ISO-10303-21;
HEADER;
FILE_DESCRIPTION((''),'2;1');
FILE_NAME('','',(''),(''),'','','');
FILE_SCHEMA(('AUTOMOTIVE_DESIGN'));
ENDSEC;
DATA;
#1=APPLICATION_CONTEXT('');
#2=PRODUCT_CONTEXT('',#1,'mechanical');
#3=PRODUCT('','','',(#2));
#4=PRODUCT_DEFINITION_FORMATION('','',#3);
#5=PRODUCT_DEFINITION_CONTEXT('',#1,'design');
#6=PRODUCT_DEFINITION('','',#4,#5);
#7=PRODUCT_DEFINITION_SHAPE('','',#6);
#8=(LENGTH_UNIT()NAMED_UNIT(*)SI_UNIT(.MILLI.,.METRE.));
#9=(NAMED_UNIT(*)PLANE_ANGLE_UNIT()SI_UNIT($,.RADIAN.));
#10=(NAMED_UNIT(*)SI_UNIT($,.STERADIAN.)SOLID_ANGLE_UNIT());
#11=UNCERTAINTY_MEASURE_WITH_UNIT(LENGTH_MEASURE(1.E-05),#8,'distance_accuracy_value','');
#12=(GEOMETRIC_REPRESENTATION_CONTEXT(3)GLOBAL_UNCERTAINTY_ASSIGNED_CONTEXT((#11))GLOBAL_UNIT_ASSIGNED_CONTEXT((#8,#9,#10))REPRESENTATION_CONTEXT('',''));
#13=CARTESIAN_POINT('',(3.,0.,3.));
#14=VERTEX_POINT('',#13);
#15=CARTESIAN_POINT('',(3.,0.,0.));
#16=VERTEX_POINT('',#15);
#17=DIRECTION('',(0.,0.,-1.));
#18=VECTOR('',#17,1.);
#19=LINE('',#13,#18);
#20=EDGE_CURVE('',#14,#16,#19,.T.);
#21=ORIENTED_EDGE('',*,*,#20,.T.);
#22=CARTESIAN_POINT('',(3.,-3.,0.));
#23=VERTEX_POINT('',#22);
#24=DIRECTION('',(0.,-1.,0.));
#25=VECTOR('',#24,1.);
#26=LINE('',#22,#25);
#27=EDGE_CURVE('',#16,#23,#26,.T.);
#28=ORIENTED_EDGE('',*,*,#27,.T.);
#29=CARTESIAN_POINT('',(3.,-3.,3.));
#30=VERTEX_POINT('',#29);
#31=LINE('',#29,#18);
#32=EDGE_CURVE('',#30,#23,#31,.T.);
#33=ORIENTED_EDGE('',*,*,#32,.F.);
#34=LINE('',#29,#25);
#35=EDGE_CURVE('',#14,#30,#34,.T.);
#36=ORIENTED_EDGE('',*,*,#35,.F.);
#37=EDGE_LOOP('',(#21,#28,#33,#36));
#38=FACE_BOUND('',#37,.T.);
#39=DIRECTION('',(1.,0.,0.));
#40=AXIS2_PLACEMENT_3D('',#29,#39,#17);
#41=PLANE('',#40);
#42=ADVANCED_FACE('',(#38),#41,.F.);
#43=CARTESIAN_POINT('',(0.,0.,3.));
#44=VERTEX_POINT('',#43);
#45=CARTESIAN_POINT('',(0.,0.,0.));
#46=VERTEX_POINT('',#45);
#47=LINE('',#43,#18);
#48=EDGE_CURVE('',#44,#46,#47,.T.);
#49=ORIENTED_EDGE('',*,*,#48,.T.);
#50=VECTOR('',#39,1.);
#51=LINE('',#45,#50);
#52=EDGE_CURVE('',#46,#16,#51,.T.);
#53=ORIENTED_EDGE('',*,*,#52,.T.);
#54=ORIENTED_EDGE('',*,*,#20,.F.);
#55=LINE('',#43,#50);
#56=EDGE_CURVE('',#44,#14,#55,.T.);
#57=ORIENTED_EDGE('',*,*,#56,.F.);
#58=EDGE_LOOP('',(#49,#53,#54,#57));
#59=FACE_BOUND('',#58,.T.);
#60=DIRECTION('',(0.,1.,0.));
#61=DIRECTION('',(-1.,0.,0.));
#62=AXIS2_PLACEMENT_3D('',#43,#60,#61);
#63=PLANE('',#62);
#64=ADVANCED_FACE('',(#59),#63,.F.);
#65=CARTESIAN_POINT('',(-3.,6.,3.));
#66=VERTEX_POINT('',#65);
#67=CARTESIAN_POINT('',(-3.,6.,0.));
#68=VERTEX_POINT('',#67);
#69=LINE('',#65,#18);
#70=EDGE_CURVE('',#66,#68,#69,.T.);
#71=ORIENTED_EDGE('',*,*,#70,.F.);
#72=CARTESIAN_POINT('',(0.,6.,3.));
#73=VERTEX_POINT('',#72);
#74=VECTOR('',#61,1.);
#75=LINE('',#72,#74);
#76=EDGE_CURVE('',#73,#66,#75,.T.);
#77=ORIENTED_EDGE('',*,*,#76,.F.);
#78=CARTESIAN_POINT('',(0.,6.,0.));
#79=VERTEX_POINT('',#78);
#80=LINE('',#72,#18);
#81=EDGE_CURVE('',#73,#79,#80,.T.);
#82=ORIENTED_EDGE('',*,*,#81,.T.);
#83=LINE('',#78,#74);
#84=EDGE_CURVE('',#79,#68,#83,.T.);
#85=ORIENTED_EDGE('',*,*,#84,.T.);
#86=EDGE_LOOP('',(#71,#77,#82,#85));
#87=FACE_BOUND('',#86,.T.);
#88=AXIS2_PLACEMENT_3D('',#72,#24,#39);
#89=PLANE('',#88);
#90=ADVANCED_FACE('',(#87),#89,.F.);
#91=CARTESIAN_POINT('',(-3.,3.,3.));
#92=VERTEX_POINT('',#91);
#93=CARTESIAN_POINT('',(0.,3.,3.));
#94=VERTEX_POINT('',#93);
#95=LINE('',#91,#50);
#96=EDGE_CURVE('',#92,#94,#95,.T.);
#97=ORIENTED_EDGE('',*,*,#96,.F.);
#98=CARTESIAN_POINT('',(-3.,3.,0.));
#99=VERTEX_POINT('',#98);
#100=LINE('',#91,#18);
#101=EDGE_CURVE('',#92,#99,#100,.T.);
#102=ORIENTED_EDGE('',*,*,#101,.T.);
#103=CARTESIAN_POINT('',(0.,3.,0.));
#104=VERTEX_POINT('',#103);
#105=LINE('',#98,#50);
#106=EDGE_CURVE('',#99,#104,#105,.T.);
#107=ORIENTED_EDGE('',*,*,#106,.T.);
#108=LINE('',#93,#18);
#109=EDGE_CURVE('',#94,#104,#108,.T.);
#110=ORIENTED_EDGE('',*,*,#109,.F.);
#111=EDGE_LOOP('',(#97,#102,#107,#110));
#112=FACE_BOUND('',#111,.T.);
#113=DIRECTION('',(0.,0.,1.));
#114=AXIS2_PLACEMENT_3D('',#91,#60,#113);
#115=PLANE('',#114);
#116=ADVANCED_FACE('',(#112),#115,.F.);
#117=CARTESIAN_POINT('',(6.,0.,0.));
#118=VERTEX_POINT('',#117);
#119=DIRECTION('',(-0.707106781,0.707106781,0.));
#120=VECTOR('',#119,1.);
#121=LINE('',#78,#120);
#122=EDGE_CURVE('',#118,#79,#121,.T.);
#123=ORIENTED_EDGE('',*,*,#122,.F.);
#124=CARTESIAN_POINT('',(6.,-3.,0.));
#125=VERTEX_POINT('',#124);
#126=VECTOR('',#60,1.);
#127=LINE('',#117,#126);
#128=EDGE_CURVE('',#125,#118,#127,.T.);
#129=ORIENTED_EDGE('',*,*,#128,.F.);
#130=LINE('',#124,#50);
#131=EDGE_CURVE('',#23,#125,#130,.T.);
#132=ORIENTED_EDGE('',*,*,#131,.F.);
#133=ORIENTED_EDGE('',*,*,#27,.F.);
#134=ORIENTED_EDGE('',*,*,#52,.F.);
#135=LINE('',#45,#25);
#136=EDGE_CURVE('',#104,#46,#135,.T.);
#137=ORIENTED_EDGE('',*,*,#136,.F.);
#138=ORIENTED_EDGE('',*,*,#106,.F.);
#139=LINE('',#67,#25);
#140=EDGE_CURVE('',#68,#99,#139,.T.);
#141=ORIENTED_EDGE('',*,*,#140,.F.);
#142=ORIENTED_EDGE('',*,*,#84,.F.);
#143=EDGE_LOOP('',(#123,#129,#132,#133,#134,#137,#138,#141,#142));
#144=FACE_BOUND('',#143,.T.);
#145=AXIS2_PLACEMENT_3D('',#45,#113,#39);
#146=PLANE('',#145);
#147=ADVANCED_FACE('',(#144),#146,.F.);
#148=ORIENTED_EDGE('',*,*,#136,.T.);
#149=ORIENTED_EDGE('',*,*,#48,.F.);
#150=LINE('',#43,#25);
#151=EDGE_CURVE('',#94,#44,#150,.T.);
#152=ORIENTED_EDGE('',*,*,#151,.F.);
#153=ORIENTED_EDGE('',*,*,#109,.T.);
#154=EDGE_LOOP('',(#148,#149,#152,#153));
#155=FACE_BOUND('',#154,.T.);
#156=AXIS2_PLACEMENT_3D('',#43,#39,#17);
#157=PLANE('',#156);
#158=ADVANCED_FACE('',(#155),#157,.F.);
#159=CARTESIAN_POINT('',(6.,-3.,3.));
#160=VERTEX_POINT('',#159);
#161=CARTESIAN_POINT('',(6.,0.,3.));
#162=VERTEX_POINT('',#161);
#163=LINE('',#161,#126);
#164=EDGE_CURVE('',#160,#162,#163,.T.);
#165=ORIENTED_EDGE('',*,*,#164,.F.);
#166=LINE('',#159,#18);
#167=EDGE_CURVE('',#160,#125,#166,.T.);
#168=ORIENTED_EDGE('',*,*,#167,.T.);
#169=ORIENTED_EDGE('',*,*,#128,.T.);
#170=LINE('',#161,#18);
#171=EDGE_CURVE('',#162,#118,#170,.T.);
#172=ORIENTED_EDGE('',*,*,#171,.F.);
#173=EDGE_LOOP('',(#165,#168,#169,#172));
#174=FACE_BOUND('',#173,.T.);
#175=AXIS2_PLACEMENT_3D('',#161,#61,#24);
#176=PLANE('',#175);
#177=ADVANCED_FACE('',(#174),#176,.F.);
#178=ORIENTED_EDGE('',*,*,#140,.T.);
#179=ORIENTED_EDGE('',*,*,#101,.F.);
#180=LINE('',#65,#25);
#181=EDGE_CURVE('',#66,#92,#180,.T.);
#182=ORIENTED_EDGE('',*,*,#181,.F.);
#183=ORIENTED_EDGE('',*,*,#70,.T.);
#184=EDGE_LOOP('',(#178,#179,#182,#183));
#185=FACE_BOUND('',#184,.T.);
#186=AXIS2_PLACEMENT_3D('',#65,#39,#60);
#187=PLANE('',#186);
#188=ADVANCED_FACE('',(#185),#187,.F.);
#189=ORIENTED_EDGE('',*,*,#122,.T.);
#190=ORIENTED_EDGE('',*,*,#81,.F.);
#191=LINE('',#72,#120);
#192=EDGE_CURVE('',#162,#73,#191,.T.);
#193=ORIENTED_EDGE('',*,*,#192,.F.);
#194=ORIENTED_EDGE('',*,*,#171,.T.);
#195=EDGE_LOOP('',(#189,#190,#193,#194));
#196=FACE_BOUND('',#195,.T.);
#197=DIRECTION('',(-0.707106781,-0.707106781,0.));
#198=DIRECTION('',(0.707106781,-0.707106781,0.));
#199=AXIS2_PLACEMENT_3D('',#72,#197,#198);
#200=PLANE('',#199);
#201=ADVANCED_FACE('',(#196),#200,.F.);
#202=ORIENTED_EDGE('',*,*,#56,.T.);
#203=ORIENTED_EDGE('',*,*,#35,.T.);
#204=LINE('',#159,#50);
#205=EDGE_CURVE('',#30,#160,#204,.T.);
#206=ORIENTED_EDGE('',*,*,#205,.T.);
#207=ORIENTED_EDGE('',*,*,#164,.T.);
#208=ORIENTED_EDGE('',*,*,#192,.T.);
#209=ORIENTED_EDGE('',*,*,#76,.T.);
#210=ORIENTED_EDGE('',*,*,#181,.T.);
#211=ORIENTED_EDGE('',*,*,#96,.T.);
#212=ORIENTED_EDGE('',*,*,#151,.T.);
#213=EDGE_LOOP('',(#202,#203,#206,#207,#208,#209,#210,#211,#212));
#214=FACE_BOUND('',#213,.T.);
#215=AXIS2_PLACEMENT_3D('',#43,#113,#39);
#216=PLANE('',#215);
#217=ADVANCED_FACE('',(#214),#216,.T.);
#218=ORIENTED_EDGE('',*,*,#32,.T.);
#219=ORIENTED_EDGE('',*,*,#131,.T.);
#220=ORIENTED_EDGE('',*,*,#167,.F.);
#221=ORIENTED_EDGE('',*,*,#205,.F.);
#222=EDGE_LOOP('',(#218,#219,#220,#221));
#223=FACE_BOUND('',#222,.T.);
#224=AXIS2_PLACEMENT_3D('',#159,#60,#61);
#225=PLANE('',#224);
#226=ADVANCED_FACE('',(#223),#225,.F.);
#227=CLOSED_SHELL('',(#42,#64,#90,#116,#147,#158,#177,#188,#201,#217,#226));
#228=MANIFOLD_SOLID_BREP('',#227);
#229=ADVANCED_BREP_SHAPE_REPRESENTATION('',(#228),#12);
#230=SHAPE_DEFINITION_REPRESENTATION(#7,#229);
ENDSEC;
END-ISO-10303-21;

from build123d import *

# Parameters (mm, degrees)
BOSS_EXTRUDE1_DEPTH = 3


with BuildPart() as part:
    # Sketch1 → Boss-Extrude1 (new body)
    with BuildSketch(Plane.XY):
        Polygon((0, 0), (0, 3), (-3, 3), (-3, 6), (0, 6), (6, 0), (6, -3), (3, -3), (3, 0), align=None)
    extrude(amount=BOSS_EXTRUDE1_DEPTH)


solid = part.part
